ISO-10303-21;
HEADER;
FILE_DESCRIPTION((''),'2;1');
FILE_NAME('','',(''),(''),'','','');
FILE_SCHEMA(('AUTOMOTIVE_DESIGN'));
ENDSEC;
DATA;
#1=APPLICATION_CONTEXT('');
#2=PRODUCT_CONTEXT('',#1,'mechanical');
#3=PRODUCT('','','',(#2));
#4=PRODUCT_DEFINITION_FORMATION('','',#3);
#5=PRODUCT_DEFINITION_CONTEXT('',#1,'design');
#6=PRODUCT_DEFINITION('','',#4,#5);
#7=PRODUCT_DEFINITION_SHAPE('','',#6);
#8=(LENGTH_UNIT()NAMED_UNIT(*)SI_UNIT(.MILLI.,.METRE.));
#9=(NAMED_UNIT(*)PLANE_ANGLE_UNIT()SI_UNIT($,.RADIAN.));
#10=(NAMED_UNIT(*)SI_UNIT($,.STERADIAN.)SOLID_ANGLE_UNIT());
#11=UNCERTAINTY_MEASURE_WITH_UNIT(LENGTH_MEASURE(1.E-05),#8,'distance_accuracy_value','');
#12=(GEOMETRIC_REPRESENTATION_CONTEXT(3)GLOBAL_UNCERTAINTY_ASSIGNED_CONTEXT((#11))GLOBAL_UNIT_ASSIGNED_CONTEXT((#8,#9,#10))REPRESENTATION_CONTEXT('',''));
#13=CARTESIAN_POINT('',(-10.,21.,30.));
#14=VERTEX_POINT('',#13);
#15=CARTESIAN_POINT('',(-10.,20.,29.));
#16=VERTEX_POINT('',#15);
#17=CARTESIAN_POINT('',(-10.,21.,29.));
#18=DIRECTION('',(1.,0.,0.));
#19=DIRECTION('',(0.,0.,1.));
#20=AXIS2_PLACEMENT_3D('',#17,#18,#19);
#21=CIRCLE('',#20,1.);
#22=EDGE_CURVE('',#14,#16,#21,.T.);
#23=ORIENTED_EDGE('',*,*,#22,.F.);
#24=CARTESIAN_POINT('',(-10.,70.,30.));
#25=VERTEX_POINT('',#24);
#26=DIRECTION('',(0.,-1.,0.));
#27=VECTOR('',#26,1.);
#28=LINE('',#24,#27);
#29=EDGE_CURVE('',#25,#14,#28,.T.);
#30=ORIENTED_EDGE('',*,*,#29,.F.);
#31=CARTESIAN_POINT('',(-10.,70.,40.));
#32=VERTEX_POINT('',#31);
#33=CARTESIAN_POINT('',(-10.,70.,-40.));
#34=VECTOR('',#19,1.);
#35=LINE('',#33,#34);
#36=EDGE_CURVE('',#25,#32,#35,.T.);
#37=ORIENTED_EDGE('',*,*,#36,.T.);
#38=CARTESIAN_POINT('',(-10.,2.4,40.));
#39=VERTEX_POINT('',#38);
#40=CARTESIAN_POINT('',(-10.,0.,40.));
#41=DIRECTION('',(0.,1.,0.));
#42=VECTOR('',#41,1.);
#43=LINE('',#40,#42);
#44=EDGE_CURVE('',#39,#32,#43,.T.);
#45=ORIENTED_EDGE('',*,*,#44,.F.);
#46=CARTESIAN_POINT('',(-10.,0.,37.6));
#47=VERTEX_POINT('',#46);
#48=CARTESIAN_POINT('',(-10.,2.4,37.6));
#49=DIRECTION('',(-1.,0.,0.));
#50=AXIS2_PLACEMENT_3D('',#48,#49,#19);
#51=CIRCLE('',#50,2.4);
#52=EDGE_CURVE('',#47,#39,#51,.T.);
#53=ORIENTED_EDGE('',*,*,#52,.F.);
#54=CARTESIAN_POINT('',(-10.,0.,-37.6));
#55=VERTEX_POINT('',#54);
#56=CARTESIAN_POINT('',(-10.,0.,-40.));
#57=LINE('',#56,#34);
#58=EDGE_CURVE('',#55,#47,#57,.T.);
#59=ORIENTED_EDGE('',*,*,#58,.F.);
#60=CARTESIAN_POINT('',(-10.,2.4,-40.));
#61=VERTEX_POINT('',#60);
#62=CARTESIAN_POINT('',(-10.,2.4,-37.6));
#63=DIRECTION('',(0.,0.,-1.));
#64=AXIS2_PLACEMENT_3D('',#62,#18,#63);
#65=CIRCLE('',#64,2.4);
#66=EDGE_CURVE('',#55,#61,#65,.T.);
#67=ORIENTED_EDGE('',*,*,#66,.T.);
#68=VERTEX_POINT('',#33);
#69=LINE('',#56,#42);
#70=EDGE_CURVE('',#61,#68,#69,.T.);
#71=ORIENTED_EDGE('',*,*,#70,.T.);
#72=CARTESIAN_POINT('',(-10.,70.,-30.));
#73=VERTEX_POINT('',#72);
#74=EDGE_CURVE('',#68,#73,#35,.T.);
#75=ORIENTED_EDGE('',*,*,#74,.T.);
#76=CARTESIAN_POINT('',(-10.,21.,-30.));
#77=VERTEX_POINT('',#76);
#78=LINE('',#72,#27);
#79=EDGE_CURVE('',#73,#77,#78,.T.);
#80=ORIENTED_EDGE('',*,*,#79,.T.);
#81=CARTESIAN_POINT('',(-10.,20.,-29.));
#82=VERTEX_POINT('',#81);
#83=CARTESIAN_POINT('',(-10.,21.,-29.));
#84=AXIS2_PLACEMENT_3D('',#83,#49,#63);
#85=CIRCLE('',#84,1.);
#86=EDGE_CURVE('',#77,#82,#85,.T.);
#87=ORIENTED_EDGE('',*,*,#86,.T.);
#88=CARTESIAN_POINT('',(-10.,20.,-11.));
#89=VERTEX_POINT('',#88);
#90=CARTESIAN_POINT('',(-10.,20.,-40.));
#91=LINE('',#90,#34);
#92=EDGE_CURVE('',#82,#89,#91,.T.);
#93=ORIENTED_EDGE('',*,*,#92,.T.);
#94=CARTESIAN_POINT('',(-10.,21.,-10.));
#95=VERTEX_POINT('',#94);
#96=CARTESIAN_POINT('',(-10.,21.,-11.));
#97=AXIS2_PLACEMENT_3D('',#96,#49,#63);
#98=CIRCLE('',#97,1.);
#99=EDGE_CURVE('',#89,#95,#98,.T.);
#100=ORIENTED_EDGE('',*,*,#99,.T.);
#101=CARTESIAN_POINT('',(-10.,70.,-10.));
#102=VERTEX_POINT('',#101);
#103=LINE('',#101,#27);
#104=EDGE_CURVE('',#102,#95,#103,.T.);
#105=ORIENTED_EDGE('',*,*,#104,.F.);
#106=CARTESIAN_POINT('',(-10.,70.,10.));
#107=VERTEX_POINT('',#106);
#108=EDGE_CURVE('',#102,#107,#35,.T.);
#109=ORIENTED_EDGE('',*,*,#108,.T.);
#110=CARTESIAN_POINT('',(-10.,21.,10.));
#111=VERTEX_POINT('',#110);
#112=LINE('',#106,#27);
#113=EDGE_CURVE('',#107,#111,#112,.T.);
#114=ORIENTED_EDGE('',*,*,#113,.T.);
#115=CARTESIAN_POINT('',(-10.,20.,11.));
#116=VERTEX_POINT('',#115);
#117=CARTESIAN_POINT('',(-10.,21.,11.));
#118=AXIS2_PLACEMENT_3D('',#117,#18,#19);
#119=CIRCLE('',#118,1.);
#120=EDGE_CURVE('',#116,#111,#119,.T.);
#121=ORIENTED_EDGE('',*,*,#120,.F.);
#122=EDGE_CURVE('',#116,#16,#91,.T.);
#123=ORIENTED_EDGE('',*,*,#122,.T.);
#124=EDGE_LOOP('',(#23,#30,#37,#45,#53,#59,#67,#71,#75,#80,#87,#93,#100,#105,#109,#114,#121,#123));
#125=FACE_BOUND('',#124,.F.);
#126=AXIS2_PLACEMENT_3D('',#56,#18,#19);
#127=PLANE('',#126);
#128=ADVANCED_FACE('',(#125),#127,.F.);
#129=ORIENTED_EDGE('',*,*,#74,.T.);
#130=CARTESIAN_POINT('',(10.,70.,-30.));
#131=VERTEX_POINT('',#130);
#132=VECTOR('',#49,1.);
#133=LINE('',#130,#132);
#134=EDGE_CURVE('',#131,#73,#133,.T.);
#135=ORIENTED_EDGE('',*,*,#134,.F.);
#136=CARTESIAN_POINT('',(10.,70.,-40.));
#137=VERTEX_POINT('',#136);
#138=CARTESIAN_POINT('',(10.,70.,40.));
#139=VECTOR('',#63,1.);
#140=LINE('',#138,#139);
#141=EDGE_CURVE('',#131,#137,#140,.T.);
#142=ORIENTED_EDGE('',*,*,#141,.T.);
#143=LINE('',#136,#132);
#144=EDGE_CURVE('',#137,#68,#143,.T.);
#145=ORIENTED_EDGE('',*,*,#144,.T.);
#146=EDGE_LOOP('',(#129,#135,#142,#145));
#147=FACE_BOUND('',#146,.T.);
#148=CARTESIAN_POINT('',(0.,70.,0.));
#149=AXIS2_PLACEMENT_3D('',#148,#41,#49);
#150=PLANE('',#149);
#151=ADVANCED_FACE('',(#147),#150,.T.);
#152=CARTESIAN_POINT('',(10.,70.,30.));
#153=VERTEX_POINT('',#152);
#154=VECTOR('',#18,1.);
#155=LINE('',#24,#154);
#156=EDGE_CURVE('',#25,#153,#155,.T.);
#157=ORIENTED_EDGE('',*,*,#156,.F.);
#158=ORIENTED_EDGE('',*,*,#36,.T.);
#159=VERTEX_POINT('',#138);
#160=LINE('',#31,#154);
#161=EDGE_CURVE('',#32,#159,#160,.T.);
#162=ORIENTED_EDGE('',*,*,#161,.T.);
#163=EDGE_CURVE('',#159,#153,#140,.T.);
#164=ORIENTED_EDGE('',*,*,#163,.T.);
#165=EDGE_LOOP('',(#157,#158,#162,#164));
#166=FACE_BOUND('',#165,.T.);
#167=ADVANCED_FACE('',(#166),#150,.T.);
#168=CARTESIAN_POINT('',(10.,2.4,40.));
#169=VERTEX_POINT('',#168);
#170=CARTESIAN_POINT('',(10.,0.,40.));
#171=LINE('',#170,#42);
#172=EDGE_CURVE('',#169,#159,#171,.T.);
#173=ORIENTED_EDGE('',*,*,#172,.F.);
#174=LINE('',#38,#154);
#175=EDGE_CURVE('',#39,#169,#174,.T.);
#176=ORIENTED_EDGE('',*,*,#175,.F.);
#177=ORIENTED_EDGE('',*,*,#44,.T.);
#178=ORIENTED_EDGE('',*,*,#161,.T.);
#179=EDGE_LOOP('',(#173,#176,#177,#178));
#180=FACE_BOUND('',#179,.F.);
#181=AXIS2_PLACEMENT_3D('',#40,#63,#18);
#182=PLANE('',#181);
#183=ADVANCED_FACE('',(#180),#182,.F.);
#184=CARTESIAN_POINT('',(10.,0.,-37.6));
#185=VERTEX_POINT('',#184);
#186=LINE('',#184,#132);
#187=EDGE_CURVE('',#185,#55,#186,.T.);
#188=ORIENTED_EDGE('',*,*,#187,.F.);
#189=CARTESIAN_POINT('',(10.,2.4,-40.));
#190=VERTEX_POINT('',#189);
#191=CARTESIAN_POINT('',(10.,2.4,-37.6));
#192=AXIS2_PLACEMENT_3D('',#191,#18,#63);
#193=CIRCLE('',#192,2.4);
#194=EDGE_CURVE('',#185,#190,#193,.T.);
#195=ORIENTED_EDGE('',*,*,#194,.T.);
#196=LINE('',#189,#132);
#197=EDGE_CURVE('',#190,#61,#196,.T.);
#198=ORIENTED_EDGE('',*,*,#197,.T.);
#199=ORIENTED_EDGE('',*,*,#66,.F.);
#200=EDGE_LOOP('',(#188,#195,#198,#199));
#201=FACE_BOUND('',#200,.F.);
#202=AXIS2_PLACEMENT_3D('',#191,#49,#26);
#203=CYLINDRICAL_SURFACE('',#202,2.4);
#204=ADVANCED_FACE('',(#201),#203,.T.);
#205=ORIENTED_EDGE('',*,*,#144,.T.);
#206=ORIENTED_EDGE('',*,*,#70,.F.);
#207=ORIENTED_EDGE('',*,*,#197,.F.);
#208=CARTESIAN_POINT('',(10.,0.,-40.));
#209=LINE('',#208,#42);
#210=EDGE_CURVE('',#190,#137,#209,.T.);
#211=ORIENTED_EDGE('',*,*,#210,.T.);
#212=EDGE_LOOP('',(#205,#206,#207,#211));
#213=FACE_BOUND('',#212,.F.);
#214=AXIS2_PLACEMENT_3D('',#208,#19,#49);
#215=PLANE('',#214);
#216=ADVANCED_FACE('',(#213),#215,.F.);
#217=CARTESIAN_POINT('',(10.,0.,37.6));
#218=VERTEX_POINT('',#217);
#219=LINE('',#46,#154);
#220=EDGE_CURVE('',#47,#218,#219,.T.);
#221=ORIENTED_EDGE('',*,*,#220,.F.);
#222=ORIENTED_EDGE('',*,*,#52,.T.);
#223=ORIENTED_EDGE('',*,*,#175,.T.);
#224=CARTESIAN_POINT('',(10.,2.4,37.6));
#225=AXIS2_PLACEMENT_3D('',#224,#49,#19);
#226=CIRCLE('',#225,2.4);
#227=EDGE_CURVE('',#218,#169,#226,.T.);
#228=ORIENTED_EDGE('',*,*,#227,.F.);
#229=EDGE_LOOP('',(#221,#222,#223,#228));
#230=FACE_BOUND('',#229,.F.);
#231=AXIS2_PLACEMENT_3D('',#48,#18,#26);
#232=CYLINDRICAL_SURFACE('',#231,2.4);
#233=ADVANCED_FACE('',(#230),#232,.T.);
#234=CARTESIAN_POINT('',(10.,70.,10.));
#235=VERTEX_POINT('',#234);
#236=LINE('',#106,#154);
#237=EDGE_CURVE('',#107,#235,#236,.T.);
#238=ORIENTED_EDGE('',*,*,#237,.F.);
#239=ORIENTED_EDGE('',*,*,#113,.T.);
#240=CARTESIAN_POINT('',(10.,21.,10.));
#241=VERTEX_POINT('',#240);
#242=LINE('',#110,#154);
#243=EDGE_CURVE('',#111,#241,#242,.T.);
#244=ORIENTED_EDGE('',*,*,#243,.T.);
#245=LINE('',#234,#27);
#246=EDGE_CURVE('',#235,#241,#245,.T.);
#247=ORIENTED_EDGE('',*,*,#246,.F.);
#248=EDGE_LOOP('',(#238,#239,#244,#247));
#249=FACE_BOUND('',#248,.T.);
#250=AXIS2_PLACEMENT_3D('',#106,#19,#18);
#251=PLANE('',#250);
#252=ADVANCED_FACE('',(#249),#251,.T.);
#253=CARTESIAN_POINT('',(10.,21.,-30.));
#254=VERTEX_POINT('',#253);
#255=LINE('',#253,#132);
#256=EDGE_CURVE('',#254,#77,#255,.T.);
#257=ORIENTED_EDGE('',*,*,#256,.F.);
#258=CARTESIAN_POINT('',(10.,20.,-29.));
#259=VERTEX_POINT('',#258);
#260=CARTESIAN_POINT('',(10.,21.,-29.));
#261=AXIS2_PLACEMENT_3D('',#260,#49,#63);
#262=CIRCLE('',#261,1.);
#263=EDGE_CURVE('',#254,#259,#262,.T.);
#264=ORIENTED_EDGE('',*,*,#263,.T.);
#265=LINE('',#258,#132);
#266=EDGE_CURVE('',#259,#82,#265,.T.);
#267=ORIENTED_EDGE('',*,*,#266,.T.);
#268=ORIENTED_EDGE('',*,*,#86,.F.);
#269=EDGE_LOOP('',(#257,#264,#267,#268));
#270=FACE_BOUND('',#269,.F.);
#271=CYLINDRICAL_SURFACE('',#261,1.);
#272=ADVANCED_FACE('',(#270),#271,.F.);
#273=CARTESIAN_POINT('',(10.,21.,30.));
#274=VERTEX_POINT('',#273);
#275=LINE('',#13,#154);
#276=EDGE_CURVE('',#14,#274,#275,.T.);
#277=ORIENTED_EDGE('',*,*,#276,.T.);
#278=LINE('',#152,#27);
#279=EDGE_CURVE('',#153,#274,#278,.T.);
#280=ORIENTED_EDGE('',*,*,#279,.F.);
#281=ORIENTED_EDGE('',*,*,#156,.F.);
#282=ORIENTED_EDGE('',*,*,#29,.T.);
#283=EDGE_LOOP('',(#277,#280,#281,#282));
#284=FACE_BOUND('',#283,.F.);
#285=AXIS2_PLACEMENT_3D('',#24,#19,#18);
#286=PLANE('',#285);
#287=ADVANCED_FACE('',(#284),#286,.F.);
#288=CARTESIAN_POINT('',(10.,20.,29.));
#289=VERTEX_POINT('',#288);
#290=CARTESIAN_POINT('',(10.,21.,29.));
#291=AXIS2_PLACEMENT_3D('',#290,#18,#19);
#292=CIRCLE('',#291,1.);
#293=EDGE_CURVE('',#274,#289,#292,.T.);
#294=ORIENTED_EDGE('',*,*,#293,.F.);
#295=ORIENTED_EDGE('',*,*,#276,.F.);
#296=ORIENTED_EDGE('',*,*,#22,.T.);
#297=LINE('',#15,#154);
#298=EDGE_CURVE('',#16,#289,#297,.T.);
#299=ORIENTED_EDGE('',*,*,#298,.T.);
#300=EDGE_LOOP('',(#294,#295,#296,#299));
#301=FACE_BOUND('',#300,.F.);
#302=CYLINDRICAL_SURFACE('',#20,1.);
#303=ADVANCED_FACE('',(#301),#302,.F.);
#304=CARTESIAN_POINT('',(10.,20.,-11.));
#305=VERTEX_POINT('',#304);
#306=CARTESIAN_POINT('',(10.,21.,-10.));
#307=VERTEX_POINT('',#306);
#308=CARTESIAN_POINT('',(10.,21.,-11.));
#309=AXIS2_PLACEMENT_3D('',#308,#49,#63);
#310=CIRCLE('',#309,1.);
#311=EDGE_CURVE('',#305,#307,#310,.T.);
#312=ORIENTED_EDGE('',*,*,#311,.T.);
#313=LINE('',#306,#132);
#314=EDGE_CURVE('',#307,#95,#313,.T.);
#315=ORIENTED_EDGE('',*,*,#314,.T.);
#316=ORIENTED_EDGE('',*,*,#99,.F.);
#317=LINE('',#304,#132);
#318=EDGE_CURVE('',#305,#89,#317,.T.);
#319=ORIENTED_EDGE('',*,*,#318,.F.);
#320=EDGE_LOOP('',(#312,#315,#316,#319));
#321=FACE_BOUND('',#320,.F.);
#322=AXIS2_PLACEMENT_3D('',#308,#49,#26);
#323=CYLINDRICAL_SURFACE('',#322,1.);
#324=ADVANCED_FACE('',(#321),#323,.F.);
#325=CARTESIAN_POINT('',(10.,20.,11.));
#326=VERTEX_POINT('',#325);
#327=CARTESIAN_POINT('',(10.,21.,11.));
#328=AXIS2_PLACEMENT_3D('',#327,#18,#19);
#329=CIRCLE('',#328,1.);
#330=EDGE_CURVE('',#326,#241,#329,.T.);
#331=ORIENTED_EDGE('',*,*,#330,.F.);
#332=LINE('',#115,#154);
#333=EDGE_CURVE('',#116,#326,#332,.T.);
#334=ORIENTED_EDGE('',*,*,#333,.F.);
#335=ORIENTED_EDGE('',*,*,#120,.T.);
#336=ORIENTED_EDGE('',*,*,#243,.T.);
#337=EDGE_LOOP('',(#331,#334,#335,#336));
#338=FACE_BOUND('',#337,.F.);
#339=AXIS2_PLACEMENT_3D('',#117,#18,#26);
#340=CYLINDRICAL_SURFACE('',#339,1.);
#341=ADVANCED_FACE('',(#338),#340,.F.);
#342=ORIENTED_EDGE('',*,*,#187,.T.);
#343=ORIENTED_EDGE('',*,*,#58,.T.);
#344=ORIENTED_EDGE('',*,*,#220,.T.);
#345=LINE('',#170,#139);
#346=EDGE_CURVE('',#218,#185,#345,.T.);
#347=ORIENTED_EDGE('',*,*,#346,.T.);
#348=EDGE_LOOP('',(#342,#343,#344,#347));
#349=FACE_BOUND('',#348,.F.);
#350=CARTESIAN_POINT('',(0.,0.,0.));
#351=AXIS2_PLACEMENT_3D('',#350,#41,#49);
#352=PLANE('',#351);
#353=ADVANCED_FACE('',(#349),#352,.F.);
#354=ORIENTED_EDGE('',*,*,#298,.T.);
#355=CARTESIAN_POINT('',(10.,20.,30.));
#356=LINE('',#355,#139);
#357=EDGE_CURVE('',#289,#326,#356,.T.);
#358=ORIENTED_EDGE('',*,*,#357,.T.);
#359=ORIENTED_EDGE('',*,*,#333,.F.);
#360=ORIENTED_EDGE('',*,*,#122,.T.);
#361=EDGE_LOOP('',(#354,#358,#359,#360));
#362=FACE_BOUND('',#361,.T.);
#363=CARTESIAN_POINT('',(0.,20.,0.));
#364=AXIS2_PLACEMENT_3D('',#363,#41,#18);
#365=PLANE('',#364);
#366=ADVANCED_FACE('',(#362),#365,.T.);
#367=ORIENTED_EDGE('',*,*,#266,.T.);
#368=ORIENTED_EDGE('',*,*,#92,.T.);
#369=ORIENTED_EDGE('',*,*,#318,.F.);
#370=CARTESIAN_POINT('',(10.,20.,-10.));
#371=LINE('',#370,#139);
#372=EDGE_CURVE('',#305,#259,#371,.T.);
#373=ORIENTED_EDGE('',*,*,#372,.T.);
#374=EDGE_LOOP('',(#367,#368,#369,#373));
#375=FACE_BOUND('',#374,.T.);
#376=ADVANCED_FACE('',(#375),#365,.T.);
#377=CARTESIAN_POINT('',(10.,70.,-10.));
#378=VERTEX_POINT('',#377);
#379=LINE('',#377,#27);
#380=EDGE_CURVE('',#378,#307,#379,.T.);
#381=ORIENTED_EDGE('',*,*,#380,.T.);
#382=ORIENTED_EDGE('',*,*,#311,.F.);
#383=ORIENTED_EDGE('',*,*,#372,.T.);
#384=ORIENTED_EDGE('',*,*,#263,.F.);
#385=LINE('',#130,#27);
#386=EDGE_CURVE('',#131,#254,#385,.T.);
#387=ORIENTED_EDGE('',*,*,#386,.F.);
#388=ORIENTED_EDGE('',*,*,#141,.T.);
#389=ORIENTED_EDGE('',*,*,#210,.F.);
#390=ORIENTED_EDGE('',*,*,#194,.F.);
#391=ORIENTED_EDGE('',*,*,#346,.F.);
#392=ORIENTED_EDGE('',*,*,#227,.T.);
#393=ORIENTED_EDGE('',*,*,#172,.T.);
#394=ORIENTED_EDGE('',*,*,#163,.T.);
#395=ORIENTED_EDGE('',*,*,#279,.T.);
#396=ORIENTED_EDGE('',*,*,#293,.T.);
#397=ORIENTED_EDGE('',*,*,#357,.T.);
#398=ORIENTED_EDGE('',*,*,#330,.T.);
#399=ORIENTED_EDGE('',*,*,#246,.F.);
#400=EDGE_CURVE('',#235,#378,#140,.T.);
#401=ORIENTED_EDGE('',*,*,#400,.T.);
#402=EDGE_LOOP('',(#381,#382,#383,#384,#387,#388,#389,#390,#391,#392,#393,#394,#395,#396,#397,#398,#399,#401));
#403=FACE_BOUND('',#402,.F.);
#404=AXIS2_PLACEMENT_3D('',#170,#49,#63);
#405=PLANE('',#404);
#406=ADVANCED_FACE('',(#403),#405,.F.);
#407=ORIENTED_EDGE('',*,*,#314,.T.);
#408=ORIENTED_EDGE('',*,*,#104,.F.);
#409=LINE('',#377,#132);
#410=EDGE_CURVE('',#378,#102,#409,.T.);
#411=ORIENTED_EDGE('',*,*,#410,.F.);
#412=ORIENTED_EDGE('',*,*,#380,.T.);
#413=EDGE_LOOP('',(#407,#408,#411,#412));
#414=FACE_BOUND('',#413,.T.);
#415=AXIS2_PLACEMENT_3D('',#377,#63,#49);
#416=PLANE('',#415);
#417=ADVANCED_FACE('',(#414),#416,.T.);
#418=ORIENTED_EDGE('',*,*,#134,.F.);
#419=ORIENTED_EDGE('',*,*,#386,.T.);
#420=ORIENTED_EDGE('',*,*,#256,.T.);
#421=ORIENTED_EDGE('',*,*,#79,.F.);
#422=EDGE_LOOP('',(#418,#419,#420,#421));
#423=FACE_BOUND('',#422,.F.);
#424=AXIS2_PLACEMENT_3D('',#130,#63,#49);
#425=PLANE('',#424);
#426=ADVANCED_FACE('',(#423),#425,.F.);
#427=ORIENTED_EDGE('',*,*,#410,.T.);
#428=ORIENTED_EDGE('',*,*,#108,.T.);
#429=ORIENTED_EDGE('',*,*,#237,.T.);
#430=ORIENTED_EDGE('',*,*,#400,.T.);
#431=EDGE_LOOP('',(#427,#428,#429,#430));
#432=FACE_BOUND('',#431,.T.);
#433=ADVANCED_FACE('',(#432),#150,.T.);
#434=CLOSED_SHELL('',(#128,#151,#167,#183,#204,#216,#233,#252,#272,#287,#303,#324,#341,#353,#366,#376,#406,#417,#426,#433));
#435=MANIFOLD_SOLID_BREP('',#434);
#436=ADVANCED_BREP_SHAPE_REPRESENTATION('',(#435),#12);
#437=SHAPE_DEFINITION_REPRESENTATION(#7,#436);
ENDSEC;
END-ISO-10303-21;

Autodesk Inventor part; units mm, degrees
ref_plane "YZ Plane" through (0, 0, 0) normal (1, 0, 0) x (0, 1, 0)
ref_plane "XZ Plane" through (0, 0, 0) normal (0, 1, 0) x (-1, 0, 0)
ref_plane "XY Plane" through (0, 0, 0) normal (0, 0, 1) x (1, 0, 0)
sketch "Sketch1" plane through (0, 0, 0) normal (0, 1, 0) x (-1, 0, 0)
  line L0 (10, 40) -> (-10, 40)
  line L1 (-10, 40) -> (-10, -40)
  line L2 (-10, -40) -> (10, -40)
  line L3 (10, -40) -> (10, 40)
  point P0 (0, 0)
  point P1 (10, 0)
  point P2 (0, -40)
  dimension "d0" = 80
  dimension "d1" = 20
extrude "MainCore" add sketch "Sketch1" along normal blind 70
sketch "Sketch3" plane through (0, 70, 0) normal (0, 1, 0) x (1, 0, 0)
  line L0 (-10, -10) -> (10, -10)
  line L1 (10, -10) -> (10, 10)
  line L2 (10, 10) -> (-10, 10)
  line L3 (-10, 10) -> (-10, -10)
  line L4 (-10, 40) -> (-10, -40) projected
  line L5 (-10, -30) -> (10, -30)
  line L6 (10, -30) -> (10, -10)
  line L7 (10, -10) -> (-10, -10)
  line L8 (-10, -10) -> (-10, -30)
  line L9 (-10, 10) -> (10, 10)
  line L10 (10, 10) -> (10, 30)
  line L11 (10, 30) -> (-10, 30)
  line L12 (-10, 30) -> (-10, 10)
  point P0 (0, 0)
  point P1 (-10, 0)
  point P2 (0, 10)
  point P3 (0, -10)
  point P4 (0, 10)
  dimension "d4" = 20
  dimension "d5" = 20
  dimension "d6" = 20
extrude "Windows" cut sketch "Sketch3" against normal blind 50 contours L0 L6 L5 L4 | L4 L11 L10 L2
fillet "Outer corners" radius 2.4 2 edges at (0, 0, -40) (0, 0, 40)
fillet "Fillet2" radius 1 4 edges at (0, 20, 10) (0, 20, 30) (0, 20, -10) (0, 20, -30)
equation "\"d0\" = coreWidth"
equation "\"d1\" = coreDepth"
equation "\"d4\" = coreLegWidthInner"
equation "\"d5\" = -0.5 * coreLegWidthInner + 0.5 * coreWidthInner"
equation "\"d6\" = -0.5 * coreLegWidthInner + 0.5 * coreWidthInner"
equation "\"d9\" = 0.03 * coreWidth"
equation "\"d10\" = 0.025 * coreWidthInner - 0.025 * coreLegWidthInner"
equation "\"coreWidth\" = 80"
equation "\"coreDepth\" = 20"
equation "\"coreLegWidthInner\" = 20"
equation "\"wallThick\" = 1"
equation "\"extDepth\" = 31.8"
equation "\"WireDia\" = 1.2"
equation "\"Airgap\" = 0.24"
equation "\"coreWidthInner\" = 60"
properties part number "coil 55_28_21-02"
